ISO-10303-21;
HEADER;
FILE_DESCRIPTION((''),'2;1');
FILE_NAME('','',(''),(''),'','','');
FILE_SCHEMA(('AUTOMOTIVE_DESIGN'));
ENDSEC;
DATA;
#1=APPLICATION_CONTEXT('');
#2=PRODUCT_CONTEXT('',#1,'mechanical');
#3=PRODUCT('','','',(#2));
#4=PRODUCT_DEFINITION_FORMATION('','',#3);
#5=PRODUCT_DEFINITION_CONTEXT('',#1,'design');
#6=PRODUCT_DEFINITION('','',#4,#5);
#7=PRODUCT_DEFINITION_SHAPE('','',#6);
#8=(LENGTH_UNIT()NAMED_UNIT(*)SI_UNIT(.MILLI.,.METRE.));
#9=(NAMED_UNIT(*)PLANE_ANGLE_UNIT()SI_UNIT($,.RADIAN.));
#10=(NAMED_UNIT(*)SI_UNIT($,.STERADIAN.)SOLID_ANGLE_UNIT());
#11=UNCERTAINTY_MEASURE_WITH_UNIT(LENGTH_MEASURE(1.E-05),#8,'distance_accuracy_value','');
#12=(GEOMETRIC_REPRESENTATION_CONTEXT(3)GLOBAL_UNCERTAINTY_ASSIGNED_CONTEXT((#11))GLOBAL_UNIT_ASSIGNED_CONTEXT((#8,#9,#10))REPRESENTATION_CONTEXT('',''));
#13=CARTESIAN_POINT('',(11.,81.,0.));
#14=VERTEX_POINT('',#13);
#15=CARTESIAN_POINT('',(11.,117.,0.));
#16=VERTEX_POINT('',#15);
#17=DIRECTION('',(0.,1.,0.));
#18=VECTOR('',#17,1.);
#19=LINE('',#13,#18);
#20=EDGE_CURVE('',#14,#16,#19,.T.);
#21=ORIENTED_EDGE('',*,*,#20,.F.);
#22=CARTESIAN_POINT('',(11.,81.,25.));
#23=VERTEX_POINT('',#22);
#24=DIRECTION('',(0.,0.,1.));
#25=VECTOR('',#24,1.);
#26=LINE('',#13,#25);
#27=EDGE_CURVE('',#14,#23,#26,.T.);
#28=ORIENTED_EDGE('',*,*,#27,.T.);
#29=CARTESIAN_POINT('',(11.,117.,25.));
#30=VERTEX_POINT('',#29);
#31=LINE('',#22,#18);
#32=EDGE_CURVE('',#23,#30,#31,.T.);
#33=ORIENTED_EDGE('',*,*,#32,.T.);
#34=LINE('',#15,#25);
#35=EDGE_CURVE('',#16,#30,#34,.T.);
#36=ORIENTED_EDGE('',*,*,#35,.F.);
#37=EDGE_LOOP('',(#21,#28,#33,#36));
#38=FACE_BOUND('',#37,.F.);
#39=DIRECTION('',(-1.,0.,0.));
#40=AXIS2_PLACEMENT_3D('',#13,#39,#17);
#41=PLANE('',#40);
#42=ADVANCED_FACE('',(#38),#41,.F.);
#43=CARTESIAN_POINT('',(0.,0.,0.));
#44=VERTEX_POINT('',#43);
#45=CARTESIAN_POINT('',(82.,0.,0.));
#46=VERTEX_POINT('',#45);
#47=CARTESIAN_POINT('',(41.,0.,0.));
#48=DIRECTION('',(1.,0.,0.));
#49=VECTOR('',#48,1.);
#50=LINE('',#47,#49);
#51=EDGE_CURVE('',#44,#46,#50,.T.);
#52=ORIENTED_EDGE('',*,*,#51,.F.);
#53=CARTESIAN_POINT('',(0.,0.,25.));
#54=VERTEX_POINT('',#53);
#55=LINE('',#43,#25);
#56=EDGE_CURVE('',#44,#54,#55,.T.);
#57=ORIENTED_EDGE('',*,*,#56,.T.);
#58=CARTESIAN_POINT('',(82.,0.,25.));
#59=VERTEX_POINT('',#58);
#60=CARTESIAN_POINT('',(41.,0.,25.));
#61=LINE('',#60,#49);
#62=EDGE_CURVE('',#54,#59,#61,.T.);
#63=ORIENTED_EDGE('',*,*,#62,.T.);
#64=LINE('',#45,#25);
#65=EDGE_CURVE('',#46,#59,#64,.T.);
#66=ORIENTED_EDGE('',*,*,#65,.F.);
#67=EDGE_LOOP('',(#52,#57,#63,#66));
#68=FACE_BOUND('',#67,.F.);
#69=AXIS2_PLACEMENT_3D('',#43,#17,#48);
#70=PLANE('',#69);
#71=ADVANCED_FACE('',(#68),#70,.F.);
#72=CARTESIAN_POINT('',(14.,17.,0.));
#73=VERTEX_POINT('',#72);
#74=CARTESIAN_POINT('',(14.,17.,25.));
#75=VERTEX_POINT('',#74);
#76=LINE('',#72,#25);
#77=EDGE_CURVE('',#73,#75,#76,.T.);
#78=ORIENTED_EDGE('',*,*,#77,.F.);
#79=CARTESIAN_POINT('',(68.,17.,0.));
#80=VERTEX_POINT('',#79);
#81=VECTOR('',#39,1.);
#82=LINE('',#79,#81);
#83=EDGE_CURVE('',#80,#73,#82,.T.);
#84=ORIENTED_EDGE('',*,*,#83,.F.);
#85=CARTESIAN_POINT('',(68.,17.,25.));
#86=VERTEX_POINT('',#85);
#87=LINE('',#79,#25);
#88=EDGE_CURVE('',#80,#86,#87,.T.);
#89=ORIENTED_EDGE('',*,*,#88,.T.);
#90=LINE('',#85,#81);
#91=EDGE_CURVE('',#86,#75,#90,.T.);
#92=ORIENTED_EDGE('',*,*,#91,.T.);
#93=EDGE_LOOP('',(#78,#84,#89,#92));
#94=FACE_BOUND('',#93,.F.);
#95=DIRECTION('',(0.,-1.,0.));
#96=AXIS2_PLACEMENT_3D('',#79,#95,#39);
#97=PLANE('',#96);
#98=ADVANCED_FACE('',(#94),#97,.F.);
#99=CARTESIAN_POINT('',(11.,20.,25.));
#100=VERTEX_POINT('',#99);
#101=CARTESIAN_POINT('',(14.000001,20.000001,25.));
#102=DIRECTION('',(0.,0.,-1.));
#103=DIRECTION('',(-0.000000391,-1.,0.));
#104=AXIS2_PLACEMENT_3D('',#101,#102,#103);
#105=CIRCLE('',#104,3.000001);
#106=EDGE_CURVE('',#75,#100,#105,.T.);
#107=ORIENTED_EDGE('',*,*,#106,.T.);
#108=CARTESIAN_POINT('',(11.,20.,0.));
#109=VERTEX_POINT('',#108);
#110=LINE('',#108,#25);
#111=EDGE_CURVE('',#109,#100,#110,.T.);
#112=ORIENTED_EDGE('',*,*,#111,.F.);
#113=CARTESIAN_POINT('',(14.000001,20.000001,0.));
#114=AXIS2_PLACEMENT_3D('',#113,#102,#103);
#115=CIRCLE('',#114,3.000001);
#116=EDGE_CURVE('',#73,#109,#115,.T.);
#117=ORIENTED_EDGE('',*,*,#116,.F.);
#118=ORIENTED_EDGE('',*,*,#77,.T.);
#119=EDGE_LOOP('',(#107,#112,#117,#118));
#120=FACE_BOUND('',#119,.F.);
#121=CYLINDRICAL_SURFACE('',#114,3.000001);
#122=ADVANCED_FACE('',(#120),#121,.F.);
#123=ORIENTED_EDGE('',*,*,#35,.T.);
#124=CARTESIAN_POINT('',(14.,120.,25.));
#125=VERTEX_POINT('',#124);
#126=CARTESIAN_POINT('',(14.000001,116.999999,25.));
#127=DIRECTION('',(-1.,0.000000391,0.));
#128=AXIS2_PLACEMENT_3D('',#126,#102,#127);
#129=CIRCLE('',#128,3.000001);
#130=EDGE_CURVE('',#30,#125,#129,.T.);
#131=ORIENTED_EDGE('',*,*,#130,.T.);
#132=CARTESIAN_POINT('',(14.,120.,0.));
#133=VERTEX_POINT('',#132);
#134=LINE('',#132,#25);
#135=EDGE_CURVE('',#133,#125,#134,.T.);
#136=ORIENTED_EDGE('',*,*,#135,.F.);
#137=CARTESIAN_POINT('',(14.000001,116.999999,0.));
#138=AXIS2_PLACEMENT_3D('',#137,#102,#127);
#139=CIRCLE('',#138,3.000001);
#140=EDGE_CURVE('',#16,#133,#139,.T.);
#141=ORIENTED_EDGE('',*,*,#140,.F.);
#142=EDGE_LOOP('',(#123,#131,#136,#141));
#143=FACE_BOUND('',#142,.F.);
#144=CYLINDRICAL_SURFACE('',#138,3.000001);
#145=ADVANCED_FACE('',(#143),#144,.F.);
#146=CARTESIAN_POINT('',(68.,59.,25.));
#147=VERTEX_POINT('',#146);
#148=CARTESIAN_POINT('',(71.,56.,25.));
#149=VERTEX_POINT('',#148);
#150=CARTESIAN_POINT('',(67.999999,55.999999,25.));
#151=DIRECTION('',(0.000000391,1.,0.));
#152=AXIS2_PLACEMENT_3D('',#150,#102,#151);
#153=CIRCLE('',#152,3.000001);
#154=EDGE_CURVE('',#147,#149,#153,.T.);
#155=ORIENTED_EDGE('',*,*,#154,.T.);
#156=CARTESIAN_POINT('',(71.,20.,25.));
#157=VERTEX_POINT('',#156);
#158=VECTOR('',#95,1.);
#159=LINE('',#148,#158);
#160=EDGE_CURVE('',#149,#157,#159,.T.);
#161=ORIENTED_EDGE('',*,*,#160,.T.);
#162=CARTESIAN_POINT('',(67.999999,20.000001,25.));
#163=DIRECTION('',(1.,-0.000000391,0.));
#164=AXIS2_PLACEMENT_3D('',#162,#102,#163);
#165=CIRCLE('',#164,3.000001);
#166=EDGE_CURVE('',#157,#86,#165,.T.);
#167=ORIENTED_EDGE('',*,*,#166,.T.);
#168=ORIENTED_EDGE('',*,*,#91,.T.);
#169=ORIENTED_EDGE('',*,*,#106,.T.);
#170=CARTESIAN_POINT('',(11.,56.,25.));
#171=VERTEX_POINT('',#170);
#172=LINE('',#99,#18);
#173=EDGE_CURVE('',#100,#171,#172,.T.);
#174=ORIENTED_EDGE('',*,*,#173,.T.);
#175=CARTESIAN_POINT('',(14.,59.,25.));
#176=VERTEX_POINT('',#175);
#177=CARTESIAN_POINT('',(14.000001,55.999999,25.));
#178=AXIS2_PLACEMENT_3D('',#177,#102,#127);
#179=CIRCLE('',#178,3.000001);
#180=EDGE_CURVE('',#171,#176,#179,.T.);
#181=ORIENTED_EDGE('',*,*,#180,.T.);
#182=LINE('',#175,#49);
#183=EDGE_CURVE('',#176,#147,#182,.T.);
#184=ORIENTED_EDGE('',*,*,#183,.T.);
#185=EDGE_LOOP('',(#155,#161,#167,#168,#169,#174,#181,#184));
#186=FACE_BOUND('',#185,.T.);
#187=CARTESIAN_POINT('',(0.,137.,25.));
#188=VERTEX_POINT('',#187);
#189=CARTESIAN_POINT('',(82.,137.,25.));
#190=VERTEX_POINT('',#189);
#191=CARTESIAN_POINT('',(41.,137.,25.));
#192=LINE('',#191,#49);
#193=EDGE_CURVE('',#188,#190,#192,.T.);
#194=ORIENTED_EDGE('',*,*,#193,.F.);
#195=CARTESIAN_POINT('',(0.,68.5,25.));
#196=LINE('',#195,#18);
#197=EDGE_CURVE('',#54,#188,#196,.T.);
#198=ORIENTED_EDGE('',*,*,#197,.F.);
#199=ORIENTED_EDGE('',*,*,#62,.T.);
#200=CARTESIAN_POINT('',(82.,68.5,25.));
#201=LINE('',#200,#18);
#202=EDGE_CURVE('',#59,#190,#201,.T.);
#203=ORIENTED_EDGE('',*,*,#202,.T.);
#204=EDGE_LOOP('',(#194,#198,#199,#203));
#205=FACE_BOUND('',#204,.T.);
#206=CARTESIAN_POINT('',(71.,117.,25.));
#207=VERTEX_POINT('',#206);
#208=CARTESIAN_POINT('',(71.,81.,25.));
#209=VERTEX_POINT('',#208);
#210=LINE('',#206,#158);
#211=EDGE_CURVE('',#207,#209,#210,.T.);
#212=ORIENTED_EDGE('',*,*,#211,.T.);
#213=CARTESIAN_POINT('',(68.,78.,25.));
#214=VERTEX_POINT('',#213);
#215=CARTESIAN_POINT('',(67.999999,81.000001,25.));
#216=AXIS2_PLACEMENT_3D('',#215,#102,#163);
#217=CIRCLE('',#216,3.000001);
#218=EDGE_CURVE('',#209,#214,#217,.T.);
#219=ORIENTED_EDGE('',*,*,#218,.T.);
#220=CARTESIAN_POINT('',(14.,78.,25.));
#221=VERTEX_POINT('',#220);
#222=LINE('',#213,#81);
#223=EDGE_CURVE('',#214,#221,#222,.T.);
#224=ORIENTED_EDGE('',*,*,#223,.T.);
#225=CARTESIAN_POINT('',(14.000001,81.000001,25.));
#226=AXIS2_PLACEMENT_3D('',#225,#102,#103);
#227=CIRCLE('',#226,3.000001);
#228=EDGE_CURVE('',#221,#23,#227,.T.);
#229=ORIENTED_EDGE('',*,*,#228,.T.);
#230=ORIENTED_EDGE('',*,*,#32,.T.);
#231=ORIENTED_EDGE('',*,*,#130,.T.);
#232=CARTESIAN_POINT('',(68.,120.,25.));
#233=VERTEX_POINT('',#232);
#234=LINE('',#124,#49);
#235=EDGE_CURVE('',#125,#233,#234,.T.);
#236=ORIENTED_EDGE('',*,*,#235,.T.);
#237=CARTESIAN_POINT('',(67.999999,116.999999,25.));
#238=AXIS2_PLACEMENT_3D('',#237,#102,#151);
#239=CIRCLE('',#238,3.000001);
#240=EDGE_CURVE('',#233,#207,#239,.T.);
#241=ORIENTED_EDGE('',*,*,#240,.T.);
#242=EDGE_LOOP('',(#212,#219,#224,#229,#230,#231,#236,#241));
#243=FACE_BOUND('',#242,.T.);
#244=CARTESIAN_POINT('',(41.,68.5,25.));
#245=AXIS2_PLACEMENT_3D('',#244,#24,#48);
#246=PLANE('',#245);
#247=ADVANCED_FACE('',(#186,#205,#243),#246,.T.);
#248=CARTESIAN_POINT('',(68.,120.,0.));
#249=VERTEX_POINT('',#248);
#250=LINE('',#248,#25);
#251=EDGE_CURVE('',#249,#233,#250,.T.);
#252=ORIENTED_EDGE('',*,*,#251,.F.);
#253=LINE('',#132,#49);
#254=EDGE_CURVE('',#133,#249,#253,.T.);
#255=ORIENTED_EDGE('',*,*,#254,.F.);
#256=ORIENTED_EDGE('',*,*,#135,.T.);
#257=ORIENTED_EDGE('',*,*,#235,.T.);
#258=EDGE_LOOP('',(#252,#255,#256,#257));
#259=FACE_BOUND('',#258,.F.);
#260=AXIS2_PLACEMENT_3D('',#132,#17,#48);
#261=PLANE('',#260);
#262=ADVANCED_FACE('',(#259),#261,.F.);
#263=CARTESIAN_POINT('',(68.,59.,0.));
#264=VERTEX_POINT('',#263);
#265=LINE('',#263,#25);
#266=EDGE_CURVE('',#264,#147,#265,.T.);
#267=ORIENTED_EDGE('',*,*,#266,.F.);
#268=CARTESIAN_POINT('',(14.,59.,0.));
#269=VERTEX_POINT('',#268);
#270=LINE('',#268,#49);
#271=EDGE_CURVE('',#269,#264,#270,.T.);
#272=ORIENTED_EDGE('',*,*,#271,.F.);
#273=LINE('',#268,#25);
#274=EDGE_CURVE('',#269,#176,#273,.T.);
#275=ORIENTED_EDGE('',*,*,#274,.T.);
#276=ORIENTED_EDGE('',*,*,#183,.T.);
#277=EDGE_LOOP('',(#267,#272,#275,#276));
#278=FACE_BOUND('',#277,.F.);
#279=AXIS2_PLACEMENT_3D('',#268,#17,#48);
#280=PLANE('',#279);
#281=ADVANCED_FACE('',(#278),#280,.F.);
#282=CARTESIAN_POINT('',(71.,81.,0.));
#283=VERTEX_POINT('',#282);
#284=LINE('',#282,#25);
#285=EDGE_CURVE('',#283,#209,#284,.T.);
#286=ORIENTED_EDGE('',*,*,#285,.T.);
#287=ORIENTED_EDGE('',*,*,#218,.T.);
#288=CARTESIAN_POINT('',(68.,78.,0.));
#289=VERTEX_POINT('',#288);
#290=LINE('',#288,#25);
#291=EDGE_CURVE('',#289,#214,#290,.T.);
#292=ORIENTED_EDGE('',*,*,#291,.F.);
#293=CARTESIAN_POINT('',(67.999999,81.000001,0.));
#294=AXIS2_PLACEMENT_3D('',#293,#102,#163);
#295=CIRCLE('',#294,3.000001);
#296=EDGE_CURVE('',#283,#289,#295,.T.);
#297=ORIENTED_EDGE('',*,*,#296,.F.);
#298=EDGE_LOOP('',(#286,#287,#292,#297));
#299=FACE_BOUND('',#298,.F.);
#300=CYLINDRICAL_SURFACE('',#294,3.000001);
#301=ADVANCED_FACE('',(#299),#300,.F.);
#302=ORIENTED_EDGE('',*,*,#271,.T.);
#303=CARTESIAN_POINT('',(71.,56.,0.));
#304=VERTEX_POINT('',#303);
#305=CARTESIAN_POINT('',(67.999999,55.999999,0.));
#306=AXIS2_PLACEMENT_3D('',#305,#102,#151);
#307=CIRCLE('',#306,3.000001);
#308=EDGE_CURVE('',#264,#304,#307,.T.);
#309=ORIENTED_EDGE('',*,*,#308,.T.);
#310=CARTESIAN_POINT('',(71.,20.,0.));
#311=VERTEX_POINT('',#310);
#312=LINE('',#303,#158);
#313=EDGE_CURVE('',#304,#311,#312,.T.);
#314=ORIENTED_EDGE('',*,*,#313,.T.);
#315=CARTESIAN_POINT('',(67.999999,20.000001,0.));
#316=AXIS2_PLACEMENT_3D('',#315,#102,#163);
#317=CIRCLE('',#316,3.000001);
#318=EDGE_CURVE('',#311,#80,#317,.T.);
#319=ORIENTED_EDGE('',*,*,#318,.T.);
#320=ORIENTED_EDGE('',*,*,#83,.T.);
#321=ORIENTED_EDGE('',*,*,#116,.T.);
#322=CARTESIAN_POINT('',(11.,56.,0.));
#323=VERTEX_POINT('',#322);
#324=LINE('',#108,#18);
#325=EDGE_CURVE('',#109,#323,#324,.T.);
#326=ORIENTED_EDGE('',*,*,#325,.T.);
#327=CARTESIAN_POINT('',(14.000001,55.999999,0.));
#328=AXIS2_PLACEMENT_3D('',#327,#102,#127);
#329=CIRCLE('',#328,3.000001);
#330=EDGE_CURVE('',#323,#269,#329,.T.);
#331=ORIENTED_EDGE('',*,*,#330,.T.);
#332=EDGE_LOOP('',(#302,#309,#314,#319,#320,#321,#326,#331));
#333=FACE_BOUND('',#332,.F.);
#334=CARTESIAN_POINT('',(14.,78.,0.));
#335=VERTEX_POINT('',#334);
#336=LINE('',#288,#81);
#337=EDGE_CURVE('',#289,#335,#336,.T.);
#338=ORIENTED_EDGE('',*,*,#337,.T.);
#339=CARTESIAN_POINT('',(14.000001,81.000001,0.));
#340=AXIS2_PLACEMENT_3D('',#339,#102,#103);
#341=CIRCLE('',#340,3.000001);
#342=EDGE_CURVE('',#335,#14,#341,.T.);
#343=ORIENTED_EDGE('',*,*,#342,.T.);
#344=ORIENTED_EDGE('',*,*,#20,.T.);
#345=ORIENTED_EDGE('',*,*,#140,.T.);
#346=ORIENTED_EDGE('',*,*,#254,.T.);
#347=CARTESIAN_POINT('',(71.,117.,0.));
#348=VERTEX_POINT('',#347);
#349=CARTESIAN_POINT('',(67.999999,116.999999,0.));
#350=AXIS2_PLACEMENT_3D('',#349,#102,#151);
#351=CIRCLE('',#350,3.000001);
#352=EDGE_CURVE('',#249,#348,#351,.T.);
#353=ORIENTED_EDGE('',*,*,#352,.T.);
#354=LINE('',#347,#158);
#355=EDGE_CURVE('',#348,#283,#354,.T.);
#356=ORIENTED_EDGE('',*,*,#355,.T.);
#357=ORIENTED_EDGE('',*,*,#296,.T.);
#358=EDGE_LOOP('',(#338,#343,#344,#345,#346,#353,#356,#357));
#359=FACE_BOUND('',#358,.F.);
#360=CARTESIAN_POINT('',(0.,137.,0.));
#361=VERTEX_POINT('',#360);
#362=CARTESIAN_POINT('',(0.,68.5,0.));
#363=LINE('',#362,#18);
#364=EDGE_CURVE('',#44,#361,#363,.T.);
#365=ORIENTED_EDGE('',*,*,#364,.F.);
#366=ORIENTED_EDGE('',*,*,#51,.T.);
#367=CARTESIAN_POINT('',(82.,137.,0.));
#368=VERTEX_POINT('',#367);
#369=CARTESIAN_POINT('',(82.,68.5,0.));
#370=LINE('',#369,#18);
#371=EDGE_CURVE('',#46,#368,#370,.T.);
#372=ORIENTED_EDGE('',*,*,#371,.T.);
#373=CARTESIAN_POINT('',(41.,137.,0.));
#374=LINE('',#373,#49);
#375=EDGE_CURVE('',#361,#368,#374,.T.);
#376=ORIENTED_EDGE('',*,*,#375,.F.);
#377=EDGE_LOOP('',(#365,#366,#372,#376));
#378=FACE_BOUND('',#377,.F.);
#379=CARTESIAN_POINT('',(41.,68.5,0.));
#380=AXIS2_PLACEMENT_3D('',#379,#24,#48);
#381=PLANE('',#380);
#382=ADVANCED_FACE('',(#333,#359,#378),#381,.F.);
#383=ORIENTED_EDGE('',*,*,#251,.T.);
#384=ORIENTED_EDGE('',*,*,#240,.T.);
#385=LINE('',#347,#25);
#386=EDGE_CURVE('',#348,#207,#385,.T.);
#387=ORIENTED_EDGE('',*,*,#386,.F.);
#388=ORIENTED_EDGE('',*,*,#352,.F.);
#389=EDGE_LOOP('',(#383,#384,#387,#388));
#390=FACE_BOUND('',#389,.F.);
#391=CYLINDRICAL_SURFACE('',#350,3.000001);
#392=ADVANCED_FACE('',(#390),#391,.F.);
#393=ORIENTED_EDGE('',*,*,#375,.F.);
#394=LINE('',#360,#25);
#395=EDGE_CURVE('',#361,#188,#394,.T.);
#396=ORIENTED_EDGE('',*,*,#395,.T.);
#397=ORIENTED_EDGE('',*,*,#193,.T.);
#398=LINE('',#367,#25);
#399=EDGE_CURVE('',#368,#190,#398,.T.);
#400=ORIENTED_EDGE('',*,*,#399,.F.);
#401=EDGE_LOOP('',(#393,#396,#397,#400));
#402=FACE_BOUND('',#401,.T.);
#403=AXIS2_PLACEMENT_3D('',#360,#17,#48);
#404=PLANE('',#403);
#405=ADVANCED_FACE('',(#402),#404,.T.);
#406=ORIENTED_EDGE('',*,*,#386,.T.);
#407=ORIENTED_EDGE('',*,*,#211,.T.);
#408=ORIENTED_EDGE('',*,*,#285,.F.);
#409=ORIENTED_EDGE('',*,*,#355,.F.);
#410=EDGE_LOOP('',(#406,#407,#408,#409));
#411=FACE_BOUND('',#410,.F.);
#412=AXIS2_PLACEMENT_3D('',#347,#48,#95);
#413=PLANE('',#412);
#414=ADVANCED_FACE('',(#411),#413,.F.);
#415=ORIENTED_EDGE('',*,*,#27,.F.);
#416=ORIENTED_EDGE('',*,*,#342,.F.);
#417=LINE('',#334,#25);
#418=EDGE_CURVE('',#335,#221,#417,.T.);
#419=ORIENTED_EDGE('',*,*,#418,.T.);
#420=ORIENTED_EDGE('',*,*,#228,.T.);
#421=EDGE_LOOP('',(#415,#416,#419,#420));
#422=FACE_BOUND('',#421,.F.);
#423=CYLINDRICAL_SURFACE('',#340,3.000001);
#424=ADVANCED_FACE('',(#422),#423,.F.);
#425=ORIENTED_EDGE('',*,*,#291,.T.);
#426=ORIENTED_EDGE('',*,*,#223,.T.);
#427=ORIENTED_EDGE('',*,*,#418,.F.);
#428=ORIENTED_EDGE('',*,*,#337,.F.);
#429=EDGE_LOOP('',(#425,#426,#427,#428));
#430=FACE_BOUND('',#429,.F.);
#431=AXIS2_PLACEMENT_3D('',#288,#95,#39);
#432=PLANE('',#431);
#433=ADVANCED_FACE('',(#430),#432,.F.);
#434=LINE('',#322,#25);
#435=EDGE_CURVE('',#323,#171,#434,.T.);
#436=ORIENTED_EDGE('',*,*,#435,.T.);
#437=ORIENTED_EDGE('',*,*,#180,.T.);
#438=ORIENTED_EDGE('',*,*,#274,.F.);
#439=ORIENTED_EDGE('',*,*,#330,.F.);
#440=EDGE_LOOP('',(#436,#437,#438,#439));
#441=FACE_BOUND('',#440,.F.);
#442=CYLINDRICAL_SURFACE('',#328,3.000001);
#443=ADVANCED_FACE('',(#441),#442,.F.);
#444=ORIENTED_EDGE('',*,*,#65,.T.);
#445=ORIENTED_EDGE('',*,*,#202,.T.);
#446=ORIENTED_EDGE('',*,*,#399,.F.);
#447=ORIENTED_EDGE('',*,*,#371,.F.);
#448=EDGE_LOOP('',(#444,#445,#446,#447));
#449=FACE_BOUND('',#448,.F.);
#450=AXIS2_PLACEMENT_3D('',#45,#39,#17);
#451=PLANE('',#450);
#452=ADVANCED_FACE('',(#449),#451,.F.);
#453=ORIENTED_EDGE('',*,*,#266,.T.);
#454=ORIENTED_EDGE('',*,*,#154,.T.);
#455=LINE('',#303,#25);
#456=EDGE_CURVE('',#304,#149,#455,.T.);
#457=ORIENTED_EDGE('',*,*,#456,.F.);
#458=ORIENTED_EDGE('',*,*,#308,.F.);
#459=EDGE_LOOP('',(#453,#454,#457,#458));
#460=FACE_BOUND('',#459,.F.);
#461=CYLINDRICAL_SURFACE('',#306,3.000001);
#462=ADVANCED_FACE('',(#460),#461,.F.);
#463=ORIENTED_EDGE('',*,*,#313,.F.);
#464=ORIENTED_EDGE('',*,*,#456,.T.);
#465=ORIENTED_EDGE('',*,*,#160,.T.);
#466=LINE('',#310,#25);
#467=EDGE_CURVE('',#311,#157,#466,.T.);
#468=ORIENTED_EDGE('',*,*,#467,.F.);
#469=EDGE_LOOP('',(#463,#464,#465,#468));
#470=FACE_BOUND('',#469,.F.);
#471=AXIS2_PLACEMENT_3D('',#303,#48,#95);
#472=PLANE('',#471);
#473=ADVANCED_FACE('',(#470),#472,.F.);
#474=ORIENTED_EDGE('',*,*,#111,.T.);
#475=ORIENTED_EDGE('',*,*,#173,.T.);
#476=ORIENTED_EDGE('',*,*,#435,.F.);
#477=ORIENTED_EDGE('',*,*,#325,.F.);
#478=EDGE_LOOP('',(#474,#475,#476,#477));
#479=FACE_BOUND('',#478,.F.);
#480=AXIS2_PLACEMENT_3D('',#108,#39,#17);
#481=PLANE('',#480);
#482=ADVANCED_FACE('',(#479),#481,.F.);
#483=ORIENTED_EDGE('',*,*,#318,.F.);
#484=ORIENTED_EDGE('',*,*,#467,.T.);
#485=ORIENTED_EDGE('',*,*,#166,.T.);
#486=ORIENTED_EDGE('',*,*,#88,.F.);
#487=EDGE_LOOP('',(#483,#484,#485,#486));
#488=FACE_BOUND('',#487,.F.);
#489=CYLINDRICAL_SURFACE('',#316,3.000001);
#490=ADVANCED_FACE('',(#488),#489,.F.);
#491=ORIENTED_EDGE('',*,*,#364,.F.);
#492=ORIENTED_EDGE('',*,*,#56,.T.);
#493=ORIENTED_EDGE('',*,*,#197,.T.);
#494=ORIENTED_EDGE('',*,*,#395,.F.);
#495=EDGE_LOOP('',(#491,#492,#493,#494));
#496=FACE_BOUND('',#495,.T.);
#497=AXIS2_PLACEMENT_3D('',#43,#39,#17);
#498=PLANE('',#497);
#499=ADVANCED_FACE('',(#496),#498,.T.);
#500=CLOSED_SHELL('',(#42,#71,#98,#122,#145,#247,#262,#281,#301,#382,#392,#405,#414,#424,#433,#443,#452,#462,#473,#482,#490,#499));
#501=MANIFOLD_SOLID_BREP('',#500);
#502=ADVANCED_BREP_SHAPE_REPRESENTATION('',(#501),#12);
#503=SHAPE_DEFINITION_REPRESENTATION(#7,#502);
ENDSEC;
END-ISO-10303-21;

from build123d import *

# Parameters (mm, degrees)
F0_W     = 82
F0_H     = 137
F1_DEPTH = 25


with BuildPart() as f1:
    # F0 (on Top) → F1 (new body)
    with BuildSketch(Plane.XY):
        with Locations((41, 68.5)):
            Rectangle(F0_W, F0_H)
        with BuildLine():
            Line((68, 17), (14, 17))
            ThreePointArc((14, 17), (11.87868, 17.87868), (11, 20))
            Line((11, 20), (11, 56))
            ThreePointArc((11, 56), (11.87868, 58.12132), (14, 59))
            Line((14, 59), (68, 59))
            ThreePointArc((68, 59), (70.12132, 58.12132), (71, 56))
            Line((71, 56), (71, 20))
            ThreePointArc((71, 20), (70.12132, 17.87868), (68, 17))
        make_face(mode=Mode.SUBTRACT)
        with BuildLine():
            ThreePointArc((11, 117), (11.87868, 119.12132), (14, 120))
            Line((14, 120), (68, 120))
            ThreePointArc((68, 120), (70.12132, 119.12132), (71, 117))
            Line((71, 117), (71, 81))
            ThreePointArc((71, 81), (70.12132, 78.87868), (68, 78))
            Line((68, 78), (14, 78))
            ThreePointArc((14, 78), (11.87868, 78.87868), (11, 81))
            Line((11, 81), (11, 117))
        make_face(mode=Mode.SUBTRACT)
    extrude(amount=F1_DEPTH)


solid = f1.part
